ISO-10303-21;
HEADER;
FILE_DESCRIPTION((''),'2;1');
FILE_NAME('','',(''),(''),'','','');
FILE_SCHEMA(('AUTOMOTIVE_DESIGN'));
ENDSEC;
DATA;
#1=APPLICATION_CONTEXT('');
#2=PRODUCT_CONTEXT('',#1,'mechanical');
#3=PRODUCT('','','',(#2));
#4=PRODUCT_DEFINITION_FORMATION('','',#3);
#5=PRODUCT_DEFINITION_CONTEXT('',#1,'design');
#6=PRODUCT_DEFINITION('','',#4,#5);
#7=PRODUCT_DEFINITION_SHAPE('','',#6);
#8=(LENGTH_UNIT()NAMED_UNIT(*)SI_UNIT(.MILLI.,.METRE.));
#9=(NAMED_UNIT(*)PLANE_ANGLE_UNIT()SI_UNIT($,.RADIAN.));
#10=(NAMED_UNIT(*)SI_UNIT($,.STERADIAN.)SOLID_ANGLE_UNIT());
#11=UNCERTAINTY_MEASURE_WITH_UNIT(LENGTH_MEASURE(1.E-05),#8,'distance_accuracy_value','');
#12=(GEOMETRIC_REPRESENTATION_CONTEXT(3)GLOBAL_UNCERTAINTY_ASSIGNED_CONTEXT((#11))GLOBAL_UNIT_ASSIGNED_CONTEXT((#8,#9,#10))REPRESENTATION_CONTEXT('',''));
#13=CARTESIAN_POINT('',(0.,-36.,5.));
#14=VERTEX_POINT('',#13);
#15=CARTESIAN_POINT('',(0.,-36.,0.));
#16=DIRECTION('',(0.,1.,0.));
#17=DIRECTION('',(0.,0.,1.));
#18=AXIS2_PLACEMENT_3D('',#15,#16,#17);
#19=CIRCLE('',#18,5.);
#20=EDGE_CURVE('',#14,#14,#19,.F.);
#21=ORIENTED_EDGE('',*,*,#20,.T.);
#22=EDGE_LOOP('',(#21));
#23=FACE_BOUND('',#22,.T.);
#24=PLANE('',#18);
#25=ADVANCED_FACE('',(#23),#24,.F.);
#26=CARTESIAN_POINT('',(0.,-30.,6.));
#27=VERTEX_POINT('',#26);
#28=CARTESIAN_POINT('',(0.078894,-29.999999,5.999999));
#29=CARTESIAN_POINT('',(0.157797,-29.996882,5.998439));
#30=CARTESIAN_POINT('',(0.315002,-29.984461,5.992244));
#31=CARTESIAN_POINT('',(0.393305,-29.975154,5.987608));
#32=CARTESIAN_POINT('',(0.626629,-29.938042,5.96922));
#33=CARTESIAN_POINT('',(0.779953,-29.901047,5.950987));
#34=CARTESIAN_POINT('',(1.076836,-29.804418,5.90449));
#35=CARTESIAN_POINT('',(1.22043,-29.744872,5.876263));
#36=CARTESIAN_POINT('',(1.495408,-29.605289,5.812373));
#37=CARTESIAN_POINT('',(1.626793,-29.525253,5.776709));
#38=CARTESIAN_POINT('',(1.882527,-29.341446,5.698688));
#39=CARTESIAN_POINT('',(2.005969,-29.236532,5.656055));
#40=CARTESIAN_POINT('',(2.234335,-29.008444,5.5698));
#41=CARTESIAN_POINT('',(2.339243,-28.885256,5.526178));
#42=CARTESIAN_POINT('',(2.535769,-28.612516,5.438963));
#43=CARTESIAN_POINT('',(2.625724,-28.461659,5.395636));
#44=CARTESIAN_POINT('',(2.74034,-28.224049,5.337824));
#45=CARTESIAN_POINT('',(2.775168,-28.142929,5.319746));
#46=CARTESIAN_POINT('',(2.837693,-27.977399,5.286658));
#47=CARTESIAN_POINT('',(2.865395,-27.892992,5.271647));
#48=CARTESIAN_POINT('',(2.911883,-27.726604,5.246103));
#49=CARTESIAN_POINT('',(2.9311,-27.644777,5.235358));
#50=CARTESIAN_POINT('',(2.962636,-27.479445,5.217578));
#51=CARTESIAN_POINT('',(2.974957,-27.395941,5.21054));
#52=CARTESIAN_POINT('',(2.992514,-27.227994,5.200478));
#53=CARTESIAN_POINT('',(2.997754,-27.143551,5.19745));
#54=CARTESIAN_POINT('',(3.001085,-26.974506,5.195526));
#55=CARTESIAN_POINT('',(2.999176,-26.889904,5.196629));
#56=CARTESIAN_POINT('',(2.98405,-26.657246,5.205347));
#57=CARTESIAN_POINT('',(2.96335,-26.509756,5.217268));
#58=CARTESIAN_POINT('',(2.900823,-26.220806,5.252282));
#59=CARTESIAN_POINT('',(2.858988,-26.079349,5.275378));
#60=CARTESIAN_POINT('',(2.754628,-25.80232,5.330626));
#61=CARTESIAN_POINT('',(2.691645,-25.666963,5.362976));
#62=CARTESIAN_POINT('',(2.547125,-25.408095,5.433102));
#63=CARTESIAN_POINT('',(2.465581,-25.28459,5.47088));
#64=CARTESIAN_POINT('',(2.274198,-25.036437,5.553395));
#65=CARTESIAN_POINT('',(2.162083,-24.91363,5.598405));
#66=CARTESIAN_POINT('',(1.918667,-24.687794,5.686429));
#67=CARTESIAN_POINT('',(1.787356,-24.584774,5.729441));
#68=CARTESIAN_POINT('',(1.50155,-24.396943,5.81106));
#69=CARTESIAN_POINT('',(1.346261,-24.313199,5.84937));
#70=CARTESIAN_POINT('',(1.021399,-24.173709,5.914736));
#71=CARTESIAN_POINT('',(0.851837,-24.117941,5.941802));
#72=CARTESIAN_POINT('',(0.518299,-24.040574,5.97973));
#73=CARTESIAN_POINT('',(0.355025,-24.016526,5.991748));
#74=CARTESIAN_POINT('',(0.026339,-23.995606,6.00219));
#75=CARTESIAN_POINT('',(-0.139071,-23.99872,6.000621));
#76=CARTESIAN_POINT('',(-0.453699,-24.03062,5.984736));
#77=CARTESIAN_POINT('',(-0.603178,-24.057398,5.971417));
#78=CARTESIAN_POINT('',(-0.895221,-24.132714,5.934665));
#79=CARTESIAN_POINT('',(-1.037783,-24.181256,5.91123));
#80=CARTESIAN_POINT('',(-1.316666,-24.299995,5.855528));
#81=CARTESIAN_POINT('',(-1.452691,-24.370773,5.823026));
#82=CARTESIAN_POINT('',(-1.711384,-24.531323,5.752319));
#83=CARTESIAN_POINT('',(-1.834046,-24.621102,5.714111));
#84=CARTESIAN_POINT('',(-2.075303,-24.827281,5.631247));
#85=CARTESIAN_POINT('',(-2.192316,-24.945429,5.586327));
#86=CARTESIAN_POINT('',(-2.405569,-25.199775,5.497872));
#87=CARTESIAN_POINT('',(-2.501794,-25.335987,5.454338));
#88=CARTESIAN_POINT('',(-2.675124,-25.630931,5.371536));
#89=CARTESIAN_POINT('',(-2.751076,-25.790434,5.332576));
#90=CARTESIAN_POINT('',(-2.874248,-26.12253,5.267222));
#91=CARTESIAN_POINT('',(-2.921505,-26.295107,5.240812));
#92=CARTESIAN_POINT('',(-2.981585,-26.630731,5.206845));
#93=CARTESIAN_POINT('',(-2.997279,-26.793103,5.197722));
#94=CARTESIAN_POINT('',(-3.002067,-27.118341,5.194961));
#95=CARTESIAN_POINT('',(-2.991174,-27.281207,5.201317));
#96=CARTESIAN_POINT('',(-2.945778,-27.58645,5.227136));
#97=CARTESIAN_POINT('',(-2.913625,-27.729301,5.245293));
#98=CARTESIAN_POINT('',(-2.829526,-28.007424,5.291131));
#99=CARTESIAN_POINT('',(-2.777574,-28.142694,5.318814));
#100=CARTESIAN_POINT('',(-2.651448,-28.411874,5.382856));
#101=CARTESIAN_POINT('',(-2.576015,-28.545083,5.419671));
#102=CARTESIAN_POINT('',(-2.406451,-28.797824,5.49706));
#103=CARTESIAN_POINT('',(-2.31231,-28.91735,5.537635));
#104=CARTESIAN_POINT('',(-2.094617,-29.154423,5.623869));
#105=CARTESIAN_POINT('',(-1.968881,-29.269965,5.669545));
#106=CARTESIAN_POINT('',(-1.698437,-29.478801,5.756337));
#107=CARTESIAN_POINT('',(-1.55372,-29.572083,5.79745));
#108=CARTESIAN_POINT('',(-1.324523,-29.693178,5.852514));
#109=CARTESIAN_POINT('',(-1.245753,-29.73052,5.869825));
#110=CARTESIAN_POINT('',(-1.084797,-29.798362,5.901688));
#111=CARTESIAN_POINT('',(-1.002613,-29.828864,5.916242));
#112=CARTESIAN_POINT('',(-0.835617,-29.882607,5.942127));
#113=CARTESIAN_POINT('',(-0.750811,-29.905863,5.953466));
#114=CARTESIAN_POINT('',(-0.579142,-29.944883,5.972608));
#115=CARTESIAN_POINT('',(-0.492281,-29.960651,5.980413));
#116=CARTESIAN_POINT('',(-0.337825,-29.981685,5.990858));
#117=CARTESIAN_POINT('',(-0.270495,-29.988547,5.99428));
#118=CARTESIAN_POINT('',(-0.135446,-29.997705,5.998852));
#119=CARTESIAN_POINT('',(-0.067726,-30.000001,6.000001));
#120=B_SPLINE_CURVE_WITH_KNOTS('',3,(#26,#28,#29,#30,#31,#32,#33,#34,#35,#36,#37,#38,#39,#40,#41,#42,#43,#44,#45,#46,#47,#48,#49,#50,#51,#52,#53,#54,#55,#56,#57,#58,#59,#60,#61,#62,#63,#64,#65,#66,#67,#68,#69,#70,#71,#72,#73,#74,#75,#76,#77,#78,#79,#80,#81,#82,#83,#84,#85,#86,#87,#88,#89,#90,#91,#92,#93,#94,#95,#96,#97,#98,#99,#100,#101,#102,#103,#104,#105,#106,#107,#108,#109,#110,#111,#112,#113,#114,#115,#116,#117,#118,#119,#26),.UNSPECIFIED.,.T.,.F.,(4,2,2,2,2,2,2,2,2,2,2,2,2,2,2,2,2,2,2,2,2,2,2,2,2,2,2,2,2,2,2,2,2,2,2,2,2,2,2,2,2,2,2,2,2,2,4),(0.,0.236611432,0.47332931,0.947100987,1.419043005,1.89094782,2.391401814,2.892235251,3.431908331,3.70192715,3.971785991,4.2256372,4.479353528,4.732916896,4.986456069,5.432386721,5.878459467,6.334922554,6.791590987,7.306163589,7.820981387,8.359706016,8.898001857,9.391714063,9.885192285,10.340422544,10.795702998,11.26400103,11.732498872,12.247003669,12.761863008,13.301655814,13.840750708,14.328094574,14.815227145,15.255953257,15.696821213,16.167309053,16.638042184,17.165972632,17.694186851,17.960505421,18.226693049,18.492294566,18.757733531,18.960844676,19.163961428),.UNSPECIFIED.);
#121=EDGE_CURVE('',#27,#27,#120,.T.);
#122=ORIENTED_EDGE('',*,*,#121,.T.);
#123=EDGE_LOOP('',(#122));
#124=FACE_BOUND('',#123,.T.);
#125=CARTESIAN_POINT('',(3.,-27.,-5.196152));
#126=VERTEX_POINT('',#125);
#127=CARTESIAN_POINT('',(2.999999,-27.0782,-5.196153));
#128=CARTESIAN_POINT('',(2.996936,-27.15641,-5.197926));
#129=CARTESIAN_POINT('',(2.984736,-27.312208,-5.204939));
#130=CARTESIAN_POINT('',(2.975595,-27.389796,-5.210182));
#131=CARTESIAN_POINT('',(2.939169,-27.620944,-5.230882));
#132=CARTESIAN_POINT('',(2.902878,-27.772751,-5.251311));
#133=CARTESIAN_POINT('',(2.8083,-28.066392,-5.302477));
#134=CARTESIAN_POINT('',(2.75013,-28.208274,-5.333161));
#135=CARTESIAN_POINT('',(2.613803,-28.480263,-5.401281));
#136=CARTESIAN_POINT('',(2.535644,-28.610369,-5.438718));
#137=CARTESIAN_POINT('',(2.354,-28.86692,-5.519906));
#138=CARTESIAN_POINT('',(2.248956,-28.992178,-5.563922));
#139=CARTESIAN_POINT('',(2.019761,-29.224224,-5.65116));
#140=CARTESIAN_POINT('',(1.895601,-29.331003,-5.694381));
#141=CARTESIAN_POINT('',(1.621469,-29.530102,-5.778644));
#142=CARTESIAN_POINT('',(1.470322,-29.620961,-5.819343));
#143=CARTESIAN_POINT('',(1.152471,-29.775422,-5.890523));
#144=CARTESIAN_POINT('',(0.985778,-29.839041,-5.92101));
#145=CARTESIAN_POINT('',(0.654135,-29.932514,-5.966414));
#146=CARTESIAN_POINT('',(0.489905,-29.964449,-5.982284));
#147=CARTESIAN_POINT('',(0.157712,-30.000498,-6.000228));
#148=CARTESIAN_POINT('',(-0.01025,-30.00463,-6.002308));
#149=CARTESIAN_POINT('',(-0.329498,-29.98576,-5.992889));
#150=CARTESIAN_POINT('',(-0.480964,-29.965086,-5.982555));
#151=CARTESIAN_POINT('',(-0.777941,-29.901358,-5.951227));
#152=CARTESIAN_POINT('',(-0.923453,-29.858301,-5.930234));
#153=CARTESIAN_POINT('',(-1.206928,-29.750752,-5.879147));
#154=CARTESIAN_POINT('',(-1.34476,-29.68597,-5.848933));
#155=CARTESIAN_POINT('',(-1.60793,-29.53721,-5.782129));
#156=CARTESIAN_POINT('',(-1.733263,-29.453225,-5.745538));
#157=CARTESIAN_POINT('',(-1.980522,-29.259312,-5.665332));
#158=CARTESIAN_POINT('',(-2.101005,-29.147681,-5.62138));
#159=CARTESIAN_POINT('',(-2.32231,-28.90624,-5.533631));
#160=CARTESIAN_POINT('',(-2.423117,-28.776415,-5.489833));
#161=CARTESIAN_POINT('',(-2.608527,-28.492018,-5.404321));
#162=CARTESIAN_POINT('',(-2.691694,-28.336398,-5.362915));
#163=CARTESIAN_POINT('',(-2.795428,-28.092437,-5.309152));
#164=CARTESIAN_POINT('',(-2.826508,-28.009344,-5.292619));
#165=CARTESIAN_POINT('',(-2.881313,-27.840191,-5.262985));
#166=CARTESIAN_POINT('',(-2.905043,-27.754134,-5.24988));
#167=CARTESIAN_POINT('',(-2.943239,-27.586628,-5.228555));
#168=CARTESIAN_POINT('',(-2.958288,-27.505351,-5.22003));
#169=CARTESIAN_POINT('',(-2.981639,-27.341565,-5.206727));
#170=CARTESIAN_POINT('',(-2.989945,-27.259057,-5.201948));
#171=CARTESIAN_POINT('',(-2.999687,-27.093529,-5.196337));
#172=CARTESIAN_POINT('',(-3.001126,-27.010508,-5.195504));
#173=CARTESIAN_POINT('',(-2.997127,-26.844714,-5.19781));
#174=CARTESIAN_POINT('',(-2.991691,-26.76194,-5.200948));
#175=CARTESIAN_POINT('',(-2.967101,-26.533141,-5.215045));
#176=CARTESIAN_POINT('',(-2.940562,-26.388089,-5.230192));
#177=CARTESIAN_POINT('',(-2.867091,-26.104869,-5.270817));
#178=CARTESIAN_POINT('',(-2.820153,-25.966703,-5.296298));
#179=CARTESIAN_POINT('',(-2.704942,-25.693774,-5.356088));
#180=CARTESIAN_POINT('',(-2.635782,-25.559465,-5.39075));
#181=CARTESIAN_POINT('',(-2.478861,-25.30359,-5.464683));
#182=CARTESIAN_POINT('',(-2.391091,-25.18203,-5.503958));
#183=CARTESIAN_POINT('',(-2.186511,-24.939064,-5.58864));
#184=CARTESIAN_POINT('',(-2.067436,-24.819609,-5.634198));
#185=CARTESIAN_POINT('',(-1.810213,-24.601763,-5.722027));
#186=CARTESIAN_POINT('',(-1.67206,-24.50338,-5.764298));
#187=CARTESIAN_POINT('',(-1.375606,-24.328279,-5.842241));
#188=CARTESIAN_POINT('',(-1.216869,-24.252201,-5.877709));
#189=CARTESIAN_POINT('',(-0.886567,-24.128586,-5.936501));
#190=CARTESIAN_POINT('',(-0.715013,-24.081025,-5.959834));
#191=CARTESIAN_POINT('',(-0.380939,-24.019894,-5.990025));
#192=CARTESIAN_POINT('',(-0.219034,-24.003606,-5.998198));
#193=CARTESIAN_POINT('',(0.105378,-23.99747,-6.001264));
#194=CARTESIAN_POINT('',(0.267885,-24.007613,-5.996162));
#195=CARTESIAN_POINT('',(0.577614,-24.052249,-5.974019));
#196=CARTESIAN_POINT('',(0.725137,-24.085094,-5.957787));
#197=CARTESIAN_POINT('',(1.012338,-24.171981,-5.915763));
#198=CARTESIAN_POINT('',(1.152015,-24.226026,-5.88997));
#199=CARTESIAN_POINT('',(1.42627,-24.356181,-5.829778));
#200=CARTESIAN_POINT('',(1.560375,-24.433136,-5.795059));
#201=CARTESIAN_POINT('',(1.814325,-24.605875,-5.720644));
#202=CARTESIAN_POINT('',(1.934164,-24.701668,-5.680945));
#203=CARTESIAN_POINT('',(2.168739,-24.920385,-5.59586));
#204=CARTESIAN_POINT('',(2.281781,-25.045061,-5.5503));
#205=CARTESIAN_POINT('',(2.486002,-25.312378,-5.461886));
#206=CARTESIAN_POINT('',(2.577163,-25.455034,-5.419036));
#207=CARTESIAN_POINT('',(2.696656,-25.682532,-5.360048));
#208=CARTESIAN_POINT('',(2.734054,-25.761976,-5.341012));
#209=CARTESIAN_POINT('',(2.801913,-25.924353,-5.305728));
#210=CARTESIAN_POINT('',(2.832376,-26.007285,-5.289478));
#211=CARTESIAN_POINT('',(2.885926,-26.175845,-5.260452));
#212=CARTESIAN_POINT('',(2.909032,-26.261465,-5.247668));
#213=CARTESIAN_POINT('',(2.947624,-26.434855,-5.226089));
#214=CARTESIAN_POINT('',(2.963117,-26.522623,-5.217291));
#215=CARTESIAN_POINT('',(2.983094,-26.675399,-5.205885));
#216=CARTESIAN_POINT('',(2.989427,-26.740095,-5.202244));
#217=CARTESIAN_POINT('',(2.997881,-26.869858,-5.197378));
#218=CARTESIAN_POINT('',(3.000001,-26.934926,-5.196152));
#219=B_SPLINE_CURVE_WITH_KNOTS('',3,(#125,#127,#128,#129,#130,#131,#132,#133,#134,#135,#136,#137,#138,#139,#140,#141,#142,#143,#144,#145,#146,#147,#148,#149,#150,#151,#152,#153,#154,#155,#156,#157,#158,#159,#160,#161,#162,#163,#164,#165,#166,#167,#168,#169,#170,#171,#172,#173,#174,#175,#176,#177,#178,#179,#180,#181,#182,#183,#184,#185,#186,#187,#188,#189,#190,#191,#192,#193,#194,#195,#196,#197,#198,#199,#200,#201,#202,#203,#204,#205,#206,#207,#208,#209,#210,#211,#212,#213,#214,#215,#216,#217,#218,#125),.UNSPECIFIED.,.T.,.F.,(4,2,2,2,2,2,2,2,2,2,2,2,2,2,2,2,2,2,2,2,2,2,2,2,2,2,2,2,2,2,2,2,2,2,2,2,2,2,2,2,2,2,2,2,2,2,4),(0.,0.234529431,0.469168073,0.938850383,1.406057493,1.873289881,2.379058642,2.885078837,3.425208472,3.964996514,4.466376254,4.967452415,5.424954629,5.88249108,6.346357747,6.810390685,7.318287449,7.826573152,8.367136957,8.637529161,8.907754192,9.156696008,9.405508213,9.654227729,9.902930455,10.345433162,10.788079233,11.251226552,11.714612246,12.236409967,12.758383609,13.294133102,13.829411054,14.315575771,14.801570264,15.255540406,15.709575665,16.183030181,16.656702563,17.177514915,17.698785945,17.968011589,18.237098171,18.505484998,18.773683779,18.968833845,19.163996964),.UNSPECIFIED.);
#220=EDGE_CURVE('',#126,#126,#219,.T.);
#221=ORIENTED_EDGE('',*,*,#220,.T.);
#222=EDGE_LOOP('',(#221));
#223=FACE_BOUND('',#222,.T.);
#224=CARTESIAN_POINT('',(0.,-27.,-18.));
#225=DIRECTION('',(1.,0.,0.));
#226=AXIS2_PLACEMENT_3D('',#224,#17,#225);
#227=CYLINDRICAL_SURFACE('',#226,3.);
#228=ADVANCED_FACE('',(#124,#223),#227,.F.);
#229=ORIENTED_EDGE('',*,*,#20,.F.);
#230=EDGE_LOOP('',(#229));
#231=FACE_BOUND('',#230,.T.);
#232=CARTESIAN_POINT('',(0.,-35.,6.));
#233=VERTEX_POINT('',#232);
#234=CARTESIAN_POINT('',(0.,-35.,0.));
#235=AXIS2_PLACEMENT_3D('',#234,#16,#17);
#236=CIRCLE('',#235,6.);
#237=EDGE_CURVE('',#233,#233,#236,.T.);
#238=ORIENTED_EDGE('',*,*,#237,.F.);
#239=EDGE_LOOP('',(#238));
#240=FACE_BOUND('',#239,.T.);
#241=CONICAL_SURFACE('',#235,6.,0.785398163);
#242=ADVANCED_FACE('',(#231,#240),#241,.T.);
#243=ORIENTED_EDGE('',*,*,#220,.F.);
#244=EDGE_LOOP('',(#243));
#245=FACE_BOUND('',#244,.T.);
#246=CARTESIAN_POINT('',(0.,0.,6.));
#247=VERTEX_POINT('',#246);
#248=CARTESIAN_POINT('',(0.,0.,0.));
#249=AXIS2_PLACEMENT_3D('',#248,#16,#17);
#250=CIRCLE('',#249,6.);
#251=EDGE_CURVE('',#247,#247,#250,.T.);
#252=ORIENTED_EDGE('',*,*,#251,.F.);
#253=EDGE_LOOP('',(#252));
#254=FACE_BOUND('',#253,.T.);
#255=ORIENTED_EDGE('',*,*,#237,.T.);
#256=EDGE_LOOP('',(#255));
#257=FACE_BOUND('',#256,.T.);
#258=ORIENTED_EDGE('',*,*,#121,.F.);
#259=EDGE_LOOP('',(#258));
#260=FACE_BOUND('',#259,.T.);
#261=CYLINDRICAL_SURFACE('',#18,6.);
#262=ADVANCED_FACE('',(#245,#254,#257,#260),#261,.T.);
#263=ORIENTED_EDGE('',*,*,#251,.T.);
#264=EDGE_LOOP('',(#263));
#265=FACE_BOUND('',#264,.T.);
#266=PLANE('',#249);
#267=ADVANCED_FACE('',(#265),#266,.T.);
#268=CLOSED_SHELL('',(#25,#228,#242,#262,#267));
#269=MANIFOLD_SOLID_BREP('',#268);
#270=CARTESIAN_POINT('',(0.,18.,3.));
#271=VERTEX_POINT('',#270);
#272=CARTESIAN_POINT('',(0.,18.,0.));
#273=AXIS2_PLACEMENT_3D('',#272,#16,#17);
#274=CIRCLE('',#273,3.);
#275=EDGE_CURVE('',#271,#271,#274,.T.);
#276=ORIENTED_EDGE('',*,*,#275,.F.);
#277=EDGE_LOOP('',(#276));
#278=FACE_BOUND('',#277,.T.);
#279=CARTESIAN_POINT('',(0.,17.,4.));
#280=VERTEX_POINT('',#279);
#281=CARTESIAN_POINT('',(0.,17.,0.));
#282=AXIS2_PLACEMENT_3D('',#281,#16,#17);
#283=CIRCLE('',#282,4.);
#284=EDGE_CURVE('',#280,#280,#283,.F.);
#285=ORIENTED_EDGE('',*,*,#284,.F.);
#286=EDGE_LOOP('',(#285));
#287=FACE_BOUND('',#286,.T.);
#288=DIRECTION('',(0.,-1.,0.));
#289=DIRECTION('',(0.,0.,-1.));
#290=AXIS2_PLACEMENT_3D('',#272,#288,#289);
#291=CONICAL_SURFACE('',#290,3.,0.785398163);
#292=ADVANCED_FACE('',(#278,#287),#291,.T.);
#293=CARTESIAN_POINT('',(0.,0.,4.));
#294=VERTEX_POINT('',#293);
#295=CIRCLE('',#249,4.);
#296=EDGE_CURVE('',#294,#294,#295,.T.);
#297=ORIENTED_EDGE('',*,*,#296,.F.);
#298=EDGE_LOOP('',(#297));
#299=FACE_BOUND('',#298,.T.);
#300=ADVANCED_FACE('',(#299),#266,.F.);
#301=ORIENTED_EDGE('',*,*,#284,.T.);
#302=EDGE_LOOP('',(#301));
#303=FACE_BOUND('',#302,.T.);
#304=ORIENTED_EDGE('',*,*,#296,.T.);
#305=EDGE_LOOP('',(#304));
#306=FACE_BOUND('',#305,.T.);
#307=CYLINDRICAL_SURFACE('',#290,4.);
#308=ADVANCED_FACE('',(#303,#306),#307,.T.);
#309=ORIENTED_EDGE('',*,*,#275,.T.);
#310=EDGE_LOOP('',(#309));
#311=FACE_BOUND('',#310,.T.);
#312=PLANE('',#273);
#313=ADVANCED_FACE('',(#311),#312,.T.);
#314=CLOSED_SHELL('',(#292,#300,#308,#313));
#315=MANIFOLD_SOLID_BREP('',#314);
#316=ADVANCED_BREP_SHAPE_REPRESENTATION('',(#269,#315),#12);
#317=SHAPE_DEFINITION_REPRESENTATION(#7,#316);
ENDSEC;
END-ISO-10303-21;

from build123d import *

# Parameters (mm, degrees)
SKETCH1_R           = 4
BOSS_EXTRUDE1_DEPTH = 18
SKETCH1_3_R         = 6
BOSS_EXTRUDE2_DEPTH = 36
SKETCH2_R           = 3
CUT_EXTRUDE1_DEPTH  = 18
CHAMFER1_SIZE       = 1
CHAMFER2_SIZE       = 1


with BuildPart() as part:
    # Sketch1 → Boss-Extrude1 (new body)
    with BuildSketch(Plane(origin=(0, 0, 0), x_dir=(1, 0, 0), z_dir=(0, 1, 0))):
        Circle(SKETCH1_R)
    extrude(amount=BOSS_EXTRUDE1_DEPTH)

    # Chamfer1
    chamfer1_edges = [part.edges().sort_by_distance(p)[0] for p in [
        (-4, 18, 0),
    ]]
    chamfer(chamfer1_edges, length=CHAMFER1_SIZE)


with BuildPart() as body_2:
    # Sketch1<3> → Boss-Extrude2 (new body)
    with BuildSketch(Plane(origin=(0, 0, 0), x_dir=(1, 0, 0), z_dir=(0, 1, 0))):
        Circle(SKETCH1_3_R)
    extrude(amount=-BOSS_EXTRUDE2_DEPTH)

    # Sketch2 → Cut-Extrude1 (cut, symmetric)
    with BuildSketch(Plane.XY):
        with Locations((0, -27)):
            Circle(SKETCH2_R)
    extrude(amount=CUT_EXTRUDE1_DEPTH, both=True, mode=Mode.SUBTRACT)

    # Chamfer2
    chamfer2_edges = [body_2.edges().sort_by_distance(p)[0] for p in [
        (-6, -36, 0),
    ]]
    chamfer(chamfer2_edges, length=CHAMFER2_SIZE)


solid = Compound([part.part, body_2.part])
